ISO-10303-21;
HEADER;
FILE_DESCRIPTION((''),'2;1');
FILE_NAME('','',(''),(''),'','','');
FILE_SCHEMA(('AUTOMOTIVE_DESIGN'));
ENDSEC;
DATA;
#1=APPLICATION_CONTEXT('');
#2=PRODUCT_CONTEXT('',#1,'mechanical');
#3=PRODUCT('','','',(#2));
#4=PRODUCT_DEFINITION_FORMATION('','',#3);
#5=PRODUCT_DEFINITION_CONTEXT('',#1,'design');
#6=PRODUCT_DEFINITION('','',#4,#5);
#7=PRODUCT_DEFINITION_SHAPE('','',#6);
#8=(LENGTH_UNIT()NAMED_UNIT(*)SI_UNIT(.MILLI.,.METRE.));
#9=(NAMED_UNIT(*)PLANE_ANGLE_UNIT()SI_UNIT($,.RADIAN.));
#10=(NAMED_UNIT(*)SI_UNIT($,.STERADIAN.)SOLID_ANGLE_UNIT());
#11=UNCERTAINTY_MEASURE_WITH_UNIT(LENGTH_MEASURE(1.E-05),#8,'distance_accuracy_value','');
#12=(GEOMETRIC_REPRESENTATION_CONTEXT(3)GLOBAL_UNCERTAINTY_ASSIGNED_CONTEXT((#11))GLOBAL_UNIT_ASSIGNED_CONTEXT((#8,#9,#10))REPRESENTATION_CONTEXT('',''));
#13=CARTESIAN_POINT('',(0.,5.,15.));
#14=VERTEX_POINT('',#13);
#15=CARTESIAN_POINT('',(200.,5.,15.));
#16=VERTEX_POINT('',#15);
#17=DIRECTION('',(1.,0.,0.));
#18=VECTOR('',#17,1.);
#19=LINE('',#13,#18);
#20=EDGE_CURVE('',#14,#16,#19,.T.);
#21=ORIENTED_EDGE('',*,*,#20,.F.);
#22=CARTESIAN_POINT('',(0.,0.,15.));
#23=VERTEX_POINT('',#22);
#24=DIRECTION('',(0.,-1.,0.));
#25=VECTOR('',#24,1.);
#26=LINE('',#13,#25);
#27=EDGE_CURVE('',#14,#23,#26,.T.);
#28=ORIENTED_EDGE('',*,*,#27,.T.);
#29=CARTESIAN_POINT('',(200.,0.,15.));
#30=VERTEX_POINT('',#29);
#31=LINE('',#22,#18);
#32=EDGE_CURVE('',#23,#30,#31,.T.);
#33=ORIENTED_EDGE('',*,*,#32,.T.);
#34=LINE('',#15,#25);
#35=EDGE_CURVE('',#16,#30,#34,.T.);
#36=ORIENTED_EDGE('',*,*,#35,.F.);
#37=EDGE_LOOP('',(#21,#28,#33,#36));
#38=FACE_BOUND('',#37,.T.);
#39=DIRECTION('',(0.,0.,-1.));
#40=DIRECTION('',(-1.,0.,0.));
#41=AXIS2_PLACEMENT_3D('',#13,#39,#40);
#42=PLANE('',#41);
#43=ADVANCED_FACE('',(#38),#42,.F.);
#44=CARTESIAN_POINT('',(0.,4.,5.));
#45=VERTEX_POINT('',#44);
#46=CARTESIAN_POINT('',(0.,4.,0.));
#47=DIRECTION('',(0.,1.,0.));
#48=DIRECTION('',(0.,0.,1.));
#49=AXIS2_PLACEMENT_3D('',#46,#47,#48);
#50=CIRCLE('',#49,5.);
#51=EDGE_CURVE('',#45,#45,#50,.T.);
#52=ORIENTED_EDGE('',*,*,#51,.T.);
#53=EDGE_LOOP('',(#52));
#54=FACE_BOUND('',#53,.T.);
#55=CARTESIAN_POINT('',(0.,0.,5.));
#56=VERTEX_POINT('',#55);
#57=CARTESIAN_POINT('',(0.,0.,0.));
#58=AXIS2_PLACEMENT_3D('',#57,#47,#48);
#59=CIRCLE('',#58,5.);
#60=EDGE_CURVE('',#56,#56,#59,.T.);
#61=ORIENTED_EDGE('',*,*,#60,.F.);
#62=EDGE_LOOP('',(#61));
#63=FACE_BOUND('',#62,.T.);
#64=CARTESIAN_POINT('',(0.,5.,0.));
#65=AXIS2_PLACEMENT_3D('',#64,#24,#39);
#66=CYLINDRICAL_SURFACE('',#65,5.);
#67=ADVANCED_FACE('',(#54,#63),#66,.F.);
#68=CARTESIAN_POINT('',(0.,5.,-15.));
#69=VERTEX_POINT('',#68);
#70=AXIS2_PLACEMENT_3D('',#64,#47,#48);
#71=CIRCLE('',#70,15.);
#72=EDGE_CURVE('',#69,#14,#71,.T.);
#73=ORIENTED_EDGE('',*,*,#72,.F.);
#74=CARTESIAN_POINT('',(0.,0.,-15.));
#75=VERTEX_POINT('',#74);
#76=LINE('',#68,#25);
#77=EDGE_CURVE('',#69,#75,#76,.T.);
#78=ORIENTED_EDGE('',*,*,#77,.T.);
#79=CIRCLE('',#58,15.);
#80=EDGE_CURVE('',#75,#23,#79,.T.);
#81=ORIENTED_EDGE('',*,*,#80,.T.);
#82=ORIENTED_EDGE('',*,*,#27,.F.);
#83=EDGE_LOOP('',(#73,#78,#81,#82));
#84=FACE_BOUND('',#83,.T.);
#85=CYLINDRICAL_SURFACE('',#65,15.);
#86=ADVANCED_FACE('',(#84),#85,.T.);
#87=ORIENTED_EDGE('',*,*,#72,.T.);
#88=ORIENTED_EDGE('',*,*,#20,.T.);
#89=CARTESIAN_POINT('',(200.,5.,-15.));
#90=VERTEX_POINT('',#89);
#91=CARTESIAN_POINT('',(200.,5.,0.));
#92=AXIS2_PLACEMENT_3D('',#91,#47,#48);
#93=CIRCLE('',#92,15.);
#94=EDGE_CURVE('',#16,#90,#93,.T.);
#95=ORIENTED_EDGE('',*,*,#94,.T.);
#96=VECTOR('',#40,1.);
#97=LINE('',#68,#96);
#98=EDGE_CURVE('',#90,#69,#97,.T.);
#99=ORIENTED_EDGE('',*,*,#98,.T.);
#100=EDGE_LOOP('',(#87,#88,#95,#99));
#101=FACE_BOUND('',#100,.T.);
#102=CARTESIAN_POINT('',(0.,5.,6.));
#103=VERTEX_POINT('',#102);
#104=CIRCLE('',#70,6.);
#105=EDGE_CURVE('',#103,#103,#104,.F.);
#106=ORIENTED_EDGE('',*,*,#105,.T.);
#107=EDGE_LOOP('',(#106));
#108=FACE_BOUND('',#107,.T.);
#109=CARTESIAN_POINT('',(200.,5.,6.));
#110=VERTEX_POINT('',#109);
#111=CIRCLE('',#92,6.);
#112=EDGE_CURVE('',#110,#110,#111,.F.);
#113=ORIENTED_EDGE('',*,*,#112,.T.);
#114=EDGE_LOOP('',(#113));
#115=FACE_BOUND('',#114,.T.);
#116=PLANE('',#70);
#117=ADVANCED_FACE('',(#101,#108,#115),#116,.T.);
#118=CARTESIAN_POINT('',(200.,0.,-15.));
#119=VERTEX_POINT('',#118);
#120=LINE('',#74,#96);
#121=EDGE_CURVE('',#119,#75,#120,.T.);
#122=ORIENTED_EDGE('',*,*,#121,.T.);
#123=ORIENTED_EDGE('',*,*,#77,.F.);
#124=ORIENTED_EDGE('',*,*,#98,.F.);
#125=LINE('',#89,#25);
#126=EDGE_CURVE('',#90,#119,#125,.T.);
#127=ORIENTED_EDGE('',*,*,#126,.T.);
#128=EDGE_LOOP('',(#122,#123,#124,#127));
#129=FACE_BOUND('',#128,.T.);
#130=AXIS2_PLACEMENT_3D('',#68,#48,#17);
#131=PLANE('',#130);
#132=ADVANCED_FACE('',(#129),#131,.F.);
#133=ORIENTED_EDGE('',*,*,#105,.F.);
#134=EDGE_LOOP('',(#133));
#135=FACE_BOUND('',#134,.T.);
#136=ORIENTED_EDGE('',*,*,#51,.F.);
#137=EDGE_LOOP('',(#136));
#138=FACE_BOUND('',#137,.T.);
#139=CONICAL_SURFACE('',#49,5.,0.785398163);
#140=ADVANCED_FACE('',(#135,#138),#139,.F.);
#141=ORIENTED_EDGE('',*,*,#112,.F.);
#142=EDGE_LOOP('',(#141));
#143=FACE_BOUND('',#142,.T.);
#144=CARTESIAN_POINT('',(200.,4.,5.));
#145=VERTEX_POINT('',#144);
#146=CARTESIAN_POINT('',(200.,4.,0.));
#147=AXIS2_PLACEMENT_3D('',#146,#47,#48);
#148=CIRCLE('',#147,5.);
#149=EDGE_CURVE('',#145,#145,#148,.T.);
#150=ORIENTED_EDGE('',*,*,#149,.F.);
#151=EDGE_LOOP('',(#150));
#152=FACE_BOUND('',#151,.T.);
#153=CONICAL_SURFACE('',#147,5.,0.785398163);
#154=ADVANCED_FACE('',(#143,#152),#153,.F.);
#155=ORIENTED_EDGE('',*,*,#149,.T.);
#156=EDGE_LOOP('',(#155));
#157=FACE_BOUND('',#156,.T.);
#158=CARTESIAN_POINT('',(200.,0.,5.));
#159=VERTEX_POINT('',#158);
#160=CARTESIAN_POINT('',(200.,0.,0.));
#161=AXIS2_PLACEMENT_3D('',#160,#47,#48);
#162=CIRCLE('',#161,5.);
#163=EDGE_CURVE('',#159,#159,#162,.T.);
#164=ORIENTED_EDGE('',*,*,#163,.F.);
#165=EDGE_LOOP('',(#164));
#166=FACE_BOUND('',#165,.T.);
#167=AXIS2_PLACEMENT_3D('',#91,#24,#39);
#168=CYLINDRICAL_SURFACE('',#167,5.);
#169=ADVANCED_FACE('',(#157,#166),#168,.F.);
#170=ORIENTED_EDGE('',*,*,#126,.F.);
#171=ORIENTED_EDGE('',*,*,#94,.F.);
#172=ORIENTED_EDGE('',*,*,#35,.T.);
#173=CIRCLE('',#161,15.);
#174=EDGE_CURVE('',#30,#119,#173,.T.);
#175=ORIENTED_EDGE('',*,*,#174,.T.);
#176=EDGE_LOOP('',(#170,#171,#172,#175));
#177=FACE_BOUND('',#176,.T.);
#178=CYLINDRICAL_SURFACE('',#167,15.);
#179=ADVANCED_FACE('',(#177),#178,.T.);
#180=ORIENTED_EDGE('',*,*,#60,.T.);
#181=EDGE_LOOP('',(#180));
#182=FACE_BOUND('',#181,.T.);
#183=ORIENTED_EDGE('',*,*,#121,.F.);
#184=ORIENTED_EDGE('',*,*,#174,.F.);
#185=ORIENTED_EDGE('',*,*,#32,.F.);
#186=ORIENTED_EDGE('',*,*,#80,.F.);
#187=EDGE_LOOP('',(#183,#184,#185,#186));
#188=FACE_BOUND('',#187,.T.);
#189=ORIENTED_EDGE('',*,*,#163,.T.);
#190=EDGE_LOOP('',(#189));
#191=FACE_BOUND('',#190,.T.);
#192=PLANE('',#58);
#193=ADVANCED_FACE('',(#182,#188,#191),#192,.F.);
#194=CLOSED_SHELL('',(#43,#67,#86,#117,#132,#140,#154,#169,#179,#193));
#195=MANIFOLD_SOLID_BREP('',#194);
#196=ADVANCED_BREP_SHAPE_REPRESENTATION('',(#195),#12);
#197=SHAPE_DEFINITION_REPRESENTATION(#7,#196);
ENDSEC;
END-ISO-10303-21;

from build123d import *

# Parameters (mm, degrees)
SKETCH1_R           = 5
BOSS_EXTRUDE1_DEPTH = 5
CHAMFER1_SIZE       = 1
CHAMFER2_SIZE       = 1


with BuildPart() as part:
    # Sketch1 → Boss-Extrude1 (new body)
    with BuildSketch(Plane(origin=(0, 0, 0), x_dir=(1, 0, 0), z_dir=(0, 1, 0))):
        with BuildLine():
            Line((0, 15), (200, 15))
            ThreePointArc((200, 15), (215, 0), (200, -15))
            Line((200, -15), (0, -15))
            ThreePointArc((0, -15), (-15, 0), (0, 15))
        make_face()
        with Locations(Location((0, 0, 0), (0, 0, 270))):
            Circle(SKETCH1_R, mode=Mode.SUBTRACT)
        with Locations(Location((200, 0, 0), (0, 0, 270))):
            Circle(SKETCH1_R, mode=Mode.SUBTRACT)
    extrude(amount=BOSS_EXTRUDE1_DEPTH)

    # Chamfer1
    chamfer1_edges = [part.edges().sort_by_distance(p)[0] for p in [
        (200, 5, -5),
    ]]
    chamfer(chamfer1_edges, length=CHAMFER1_SIZE)

    # Chamfer2
    chamfer2_edges = [part.edges().sort_by_distance(p)[0] for p in [
        (0, 5, -5),
    ]]
    chamfer(chamfer2_edges, length=CHAMFER2_SIZE)


solid = part.part
